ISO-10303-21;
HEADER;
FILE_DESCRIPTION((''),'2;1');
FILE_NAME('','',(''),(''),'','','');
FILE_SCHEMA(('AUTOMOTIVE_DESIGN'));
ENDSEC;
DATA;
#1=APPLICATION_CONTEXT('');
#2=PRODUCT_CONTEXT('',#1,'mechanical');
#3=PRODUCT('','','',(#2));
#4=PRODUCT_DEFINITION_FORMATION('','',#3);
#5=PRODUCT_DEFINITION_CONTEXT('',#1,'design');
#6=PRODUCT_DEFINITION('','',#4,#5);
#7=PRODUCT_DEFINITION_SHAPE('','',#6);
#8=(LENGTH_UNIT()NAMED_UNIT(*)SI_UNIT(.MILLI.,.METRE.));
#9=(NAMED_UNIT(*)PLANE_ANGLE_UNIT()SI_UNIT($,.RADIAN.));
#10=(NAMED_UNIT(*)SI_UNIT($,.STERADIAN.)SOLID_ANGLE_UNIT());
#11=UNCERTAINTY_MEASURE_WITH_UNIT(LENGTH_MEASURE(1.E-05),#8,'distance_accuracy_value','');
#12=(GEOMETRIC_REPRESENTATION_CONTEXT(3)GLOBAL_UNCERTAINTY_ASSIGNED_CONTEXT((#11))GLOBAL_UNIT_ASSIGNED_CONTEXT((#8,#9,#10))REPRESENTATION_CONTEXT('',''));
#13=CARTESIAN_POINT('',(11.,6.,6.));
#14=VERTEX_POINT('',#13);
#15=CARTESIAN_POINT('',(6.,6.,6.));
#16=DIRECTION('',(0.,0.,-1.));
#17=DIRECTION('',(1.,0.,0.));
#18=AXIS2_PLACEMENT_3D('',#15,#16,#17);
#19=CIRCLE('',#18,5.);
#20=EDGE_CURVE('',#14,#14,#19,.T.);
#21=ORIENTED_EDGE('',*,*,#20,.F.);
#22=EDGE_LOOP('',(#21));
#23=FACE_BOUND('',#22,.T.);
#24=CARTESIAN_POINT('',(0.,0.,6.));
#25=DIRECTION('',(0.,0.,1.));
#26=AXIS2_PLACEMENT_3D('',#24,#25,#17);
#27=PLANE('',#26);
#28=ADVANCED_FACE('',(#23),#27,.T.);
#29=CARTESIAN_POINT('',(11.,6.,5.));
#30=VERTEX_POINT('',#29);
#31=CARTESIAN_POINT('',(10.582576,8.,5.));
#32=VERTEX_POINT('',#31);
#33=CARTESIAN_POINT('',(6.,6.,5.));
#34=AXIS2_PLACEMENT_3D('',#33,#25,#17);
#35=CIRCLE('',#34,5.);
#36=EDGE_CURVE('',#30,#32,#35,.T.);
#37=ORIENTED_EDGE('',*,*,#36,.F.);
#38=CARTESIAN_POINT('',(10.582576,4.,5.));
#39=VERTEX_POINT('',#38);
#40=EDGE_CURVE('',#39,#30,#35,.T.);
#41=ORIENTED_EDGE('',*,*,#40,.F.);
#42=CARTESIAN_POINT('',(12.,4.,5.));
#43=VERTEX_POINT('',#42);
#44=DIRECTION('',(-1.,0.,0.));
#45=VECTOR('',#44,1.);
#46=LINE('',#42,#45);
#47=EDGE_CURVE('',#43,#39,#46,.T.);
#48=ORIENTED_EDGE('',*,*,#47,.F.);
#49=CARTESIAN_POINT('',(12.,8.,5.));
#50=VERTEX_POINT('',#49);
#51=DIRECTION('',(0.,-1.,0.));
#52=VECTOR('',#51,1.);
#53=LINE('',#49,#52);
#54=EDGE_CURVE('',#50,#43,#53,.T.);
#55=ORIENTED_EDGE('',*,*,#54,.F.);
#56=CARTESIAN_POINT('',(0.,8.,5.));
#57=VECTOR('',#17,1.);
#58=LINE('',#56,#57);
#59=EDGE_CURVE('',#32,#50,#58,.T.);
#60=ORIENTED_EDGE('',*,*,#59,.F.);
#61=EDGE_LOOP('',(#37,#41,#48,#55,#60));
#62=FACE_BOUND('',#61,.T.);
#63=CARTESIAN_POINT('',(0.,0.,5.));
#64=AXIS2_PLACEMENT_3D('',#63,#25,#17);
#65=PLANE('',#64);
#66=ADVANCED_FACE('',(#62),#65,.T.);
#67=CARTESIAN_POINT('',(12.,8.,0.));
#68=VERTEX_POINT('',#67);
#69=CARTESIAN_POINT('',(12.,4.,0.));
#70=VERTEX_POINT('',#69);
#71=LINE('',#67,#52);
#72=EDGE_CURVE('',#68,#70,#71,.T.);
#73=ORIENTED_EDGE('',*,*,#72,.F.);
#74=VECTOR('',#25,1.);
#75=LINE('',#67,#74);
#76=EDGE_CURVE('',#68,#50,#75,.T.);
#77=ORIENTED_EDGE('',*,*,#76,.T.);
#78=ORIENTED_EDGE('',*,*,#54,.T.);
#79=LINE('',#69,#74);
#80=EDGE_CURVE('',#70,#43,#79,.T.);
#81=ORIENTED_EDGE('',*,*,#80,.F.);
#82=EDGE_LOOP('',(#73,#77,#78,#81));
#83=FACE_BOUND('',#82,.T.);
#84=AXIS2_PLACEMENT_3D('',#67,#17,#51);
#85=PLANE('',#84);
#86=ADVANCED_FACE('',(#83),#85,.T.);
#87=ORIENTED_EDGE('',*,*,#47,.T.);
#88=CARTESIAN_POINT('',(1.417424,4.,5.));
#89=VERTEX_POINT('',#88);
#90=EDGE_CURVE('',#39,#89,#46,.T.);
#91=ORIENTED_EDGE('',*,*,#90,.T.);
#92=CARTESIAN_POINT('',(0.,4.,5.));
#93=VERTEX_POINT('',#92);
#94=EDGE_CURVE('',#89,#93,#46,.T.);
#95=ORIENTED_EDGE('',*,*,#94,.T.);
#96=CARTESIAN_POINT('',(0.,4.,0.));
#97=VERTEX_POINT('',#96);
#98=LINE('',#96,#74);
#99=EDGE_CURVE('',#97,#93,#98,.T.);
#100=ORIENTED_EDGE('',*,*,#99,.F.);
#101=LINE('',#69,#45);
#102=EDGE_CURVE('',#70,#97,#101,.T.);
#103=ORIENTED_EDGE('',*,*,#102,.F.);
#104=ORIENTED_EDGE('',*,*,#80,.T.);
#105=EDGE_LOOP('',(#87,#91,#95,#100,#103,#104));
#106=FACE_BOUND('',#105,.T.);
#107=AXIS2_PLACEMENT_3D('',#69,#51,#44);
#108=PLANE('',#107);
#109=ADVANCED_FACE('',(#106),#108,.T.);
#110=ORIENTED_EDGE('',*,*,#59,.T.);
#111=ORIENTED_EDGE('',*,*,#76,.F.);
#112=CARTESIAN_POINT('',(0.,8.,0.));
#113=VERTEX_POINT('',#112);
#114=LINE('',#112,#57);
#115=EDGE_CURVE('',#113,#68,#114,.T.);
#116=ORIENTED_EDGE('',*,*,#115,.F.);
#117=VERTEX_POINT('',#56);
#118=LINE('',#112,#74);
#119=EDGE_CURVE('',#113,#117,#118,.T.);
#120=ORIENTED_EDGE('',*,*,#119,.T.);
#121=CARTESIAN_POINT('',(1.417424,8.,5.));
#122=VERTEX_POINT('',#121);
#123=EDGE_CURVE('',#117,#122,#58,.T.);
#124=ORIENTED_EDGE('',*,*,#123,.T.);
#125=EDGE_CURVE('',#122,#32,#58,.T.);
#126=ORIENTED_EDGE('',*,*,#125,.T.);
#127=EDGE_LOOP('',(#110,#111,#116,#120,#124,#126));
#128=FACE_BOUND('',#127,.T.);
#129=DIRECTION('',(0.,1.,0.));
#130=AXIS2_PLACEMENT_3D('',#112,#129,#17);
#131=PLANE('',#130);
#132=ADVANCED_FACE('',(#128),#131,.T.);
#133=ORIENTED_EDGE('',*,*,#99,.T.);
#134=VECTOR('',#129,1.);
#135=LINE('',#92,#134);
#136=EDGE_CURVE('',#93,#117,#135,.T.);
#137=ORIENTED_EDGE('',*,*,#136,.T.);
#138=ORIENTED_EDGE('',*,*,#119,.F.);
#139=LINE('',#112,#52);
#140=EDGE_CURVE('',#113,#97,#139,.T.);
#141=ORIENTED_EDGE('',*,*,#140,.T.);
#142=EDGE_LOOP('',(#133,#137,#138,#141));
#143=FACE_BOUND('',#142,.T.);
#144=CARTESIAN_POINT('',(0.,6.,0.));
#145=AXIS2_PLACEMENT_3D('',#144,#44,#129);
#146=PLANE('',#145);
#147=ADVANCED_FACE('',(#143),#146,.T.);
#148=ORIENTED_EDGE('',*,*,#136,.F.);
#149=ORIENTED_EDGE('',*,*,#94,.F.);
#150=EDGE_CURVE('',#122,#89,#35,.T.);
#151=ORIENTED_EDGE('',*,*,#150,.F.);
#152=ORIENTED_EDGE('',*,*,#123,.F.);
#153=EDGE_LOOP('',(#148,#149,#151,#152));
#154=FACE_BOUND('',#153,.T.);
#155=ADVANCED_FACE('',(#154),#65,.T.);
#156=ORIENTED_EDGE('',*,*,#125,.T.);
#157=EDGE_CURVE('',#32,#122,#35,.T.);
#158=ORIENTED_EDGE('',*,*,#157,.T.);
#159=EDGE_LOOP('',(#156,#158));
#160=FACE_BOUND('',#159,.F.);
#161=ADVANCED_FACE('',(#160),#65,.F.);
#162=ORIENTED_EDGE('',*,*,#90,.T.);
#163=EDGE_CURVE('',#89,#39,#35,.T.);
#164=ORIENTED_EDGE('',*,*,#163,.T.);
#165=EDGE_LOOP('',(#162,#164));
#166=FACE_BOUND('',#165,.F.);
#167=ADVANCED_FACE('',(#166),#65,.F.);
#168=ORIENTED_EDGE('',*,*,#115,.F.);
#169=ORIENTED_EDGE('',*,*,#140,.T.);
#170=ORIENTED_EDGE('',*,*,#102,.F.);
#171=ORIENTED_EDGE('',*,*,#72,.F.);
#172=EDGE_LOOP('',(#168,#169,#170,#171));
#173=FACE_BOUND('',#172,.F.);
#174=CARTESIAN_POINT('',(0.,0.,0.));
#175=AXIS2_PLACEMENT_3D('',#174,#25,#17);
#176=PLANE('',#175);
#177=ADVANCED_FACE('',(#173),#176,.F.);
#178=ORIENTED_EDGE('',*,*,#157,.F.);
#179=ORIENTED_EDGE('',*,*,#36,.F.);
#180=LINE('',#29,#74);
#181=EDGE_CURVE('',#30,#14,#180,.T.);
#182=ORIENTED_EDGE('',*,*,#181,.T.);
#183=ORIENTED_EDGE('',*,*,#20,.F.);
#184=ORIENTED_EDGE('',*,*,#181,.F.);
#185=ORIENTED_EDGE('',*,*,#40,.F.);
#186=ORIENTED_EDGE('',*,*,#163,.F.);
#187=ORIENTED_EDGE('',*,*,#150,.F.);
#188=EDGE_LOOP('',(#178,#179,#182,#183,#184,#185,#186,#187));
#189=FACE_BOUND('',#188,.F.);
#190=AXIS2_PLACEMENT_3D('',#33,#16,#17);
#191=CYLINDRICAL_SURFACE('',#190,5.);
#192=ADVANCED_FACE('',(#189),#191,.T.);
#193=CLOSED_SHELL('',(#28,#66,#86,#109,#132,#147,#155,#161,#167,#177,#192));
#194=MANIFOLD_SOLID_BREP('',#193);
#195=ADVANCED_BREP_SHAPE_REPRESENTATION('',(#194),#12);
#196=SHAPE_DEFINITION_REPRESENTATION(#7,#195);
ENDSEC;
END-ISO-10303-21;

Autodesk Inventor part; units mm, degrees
ref_plane "YZ Plane" through (0, 0, 0) normal (1, 0, 0) x (0, 1, 0)
ref_plane "XZ Plane" through (0, 0, 0) normal (0, 1, 0) x (-1, 0, 0)
ref_plane "XY Plane" through (0, 0, 0) normal (0, 0, 1) x (1, 0, 0)
sketch "Sketch1" plane through (0, 0, 0) normal (0, 0, 1) x (1, 0, 0)
  line L0 (0, 6) -> (0, 8)
  line L1 (0, 8) -> (12, 8)
  line L2 (12, 8) -> (12, 4)
  line L3 (12, 4) -> (0, 4)
  line L4 (0, 6) -> (0, 4)
  point P0 (0, 0)
  dimension "d2" = 2
  dimension "d3" = 4
extrude "Extrusion1" add sketch "Sketch1" along normal blind 5
sketch "Sketch2" plane through (0, 0, 5) normal (0, 0, 1) x (1, 0, 0)
  line L0 (0, 8) -> (0, 4) projected
  line L1 (12, 4) -> (12, 8) projected
  line L2 (12, 8) -> (0, 8) projected
  line L3 (0, 4) -> (12, 4) projected
  line L4 (0, 6) -> (12, 6)
  line L5 (6, 8) -> (6, 4)
  circle A0 centre (6, 6) radius 5
  point P0 (0, 0)
  dimension "d9" = 10
extrude "Extrusion3" add sketch "Sketch2" along normal blind 1 contours A0 L2 | L2 L5 L4 A0 | L4 L5 L3 A0 | L2 A0 L4 L5 | L3 A0 | L4 A0 L3 L5
properties part number "MinusBtn"
